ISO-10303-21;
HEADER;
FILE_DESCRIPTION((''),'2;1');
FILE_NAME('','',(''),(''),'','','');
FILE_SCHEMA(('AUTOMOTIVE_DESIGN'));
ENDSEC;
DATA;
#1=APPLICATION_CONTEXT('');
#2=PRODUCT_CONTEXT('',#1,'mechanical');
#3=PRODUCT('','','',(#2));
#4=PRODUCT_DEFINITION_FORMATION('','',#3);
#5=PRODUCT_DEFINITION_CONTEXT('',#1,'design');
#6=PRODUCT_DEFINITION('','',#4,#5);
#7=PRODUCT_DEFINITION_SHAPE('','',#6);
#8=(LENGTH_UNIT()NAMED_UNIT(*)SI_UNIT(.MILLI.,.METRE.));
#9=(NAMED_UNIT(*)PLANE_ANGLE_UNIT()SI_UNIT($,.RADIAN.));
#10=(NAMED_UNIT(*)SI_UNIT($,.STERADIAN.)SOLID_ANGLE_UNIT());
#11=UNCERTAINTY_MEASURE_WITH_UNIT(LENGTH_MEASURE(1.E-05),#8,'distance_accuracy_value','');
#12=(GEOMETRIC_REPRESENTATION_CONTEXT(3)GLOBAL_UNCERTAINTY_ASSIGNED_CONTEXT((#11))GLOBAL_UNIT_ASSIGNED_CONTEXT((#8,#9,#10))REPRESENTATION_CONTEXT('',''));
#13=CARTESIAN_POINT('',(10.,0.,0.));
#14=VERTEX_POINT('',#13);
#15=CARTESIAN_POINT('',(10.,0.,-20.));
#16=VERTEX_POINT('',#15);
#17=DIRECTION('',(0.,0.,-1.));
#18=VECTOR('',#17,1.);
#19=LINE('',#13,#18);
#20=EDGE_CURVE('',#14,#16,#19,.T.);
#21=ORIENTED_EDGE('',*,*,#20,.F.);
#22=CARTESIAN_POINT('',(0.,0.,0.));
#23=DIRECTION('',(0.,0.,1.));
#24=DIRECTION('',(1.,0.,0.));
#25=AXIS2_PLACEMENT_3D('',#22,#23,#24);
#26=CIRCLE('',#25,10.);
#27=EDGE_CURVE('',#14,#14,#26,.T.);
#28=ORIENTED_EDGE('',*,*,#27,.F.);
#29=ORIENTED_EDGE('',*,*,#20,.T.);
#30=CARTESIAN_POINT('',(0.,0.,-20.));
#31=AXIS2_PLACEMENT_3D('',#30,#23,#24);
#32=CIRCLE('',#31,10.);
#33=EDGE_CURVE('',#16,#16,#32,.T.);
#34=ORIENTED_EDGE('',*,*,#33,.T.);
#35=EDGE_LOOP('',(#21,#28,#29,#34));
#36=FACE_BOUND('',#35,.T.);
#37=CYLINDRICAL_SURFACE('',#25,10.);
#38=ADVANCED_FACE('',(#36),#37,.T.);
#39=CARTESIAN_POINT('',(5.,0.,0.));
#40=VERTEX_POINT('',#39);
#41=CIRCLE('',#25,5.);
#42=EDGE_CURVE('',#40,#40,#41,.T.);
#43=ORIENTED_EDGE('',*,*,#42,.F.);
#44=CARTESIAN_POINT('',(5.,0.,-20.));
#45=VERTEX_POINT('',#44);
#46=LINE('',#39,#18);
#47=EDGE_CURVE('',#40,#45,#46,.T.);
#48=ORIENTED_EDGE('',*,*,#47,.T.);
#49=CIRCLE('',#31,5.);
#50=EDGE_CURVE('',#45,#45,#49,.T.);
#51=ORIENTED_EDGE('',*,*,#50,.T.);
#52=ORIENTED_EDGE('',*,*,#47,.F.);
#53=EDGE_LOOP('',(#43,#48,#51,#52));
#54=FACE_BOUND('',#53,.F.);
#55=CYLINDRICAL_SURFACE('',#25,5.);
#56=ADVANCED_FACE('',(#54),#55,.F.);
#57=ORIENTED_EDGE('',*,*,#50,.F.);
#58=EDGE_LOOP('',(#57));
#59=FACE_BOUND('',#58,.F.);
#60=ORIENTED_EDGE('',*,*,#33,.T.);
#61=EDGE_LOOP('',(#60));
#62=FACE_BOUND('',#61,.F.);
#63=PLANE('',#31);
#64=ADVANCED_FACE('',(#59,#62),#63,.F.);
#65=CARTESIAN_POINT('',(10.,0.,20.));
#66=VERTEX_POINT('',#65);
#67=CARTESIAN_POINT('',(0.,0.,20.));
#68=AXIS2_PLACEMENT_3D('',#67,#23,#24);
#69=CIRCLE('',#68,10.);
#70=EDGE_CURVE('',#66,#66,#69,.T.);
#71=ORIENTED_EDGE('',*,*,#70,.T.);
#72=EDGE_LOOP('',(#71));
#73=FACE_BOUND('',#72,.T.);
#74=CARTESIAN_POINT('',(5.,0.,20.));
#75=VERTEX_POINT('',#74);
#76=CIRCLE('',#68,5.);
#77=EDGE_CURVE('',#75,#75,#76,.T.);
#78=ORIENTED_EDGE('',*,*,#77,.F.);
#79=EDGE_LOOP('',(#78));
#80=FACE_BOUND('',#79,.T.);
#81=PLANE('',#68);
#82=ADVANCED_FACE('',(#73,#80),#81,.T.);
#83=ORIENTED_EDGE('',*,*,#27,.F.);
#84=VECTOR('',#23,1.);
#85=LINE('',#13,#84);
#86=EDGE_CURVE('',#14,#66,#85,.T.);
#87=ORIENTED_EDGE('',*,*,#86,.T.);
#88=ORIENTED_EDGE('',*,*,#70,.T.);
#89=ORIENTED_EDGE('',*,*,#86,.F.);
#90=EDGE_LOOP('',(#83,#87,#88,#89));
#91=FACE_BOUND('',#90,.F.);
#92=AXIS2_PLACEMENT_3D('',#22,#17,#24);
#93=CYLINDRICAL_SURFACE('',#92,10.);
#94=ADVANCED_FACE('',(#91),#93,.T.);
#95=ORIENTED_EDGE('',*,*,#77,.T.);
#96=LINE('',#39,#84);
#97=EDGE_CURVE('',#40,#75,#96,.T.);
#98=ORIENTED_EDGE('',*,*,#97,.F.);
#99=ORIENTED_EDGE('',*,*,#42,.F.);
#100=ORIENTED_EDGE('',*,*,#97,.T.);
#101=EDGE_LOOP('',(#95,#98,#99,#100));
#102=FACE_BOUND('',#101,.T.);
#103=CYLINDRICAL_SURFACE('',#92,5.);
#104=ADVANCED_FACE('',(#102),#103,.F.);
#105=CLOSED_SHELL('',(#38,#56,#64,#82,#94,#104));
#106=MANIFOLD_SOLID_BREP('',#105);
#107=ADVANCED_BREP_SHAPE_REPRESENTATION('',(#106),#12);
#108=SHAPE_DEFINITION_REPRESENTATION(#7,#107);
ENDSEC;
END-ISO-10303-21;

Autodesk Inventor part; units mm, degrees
ref_plane "YZ Plane" through (0, 0, 0) normal (1, 0, 0) x (0, 1, 0)
ref_plane "XZ Plane" through (0, 0, 0) normal (0, 1, 0) x (-1, 0, 0)
ref_plane "XY Plane" through (0, 0, 0) normal (0, 0, 1) x (1, 0, 0)
sketch "Esboço1" plane through (0, 0, 0) normal (0, 0, 1) x (1, 0, 0)
  circle A0 centre (0, 0) radius 5
  circle A1 centre (0, 0) radius 10
  dimension "d0" = 10
  dimension "d1" = 20
extrude "Extrusão1" add sketch "Esboço1" along normal mid plane 40
properties part number "bucha"
